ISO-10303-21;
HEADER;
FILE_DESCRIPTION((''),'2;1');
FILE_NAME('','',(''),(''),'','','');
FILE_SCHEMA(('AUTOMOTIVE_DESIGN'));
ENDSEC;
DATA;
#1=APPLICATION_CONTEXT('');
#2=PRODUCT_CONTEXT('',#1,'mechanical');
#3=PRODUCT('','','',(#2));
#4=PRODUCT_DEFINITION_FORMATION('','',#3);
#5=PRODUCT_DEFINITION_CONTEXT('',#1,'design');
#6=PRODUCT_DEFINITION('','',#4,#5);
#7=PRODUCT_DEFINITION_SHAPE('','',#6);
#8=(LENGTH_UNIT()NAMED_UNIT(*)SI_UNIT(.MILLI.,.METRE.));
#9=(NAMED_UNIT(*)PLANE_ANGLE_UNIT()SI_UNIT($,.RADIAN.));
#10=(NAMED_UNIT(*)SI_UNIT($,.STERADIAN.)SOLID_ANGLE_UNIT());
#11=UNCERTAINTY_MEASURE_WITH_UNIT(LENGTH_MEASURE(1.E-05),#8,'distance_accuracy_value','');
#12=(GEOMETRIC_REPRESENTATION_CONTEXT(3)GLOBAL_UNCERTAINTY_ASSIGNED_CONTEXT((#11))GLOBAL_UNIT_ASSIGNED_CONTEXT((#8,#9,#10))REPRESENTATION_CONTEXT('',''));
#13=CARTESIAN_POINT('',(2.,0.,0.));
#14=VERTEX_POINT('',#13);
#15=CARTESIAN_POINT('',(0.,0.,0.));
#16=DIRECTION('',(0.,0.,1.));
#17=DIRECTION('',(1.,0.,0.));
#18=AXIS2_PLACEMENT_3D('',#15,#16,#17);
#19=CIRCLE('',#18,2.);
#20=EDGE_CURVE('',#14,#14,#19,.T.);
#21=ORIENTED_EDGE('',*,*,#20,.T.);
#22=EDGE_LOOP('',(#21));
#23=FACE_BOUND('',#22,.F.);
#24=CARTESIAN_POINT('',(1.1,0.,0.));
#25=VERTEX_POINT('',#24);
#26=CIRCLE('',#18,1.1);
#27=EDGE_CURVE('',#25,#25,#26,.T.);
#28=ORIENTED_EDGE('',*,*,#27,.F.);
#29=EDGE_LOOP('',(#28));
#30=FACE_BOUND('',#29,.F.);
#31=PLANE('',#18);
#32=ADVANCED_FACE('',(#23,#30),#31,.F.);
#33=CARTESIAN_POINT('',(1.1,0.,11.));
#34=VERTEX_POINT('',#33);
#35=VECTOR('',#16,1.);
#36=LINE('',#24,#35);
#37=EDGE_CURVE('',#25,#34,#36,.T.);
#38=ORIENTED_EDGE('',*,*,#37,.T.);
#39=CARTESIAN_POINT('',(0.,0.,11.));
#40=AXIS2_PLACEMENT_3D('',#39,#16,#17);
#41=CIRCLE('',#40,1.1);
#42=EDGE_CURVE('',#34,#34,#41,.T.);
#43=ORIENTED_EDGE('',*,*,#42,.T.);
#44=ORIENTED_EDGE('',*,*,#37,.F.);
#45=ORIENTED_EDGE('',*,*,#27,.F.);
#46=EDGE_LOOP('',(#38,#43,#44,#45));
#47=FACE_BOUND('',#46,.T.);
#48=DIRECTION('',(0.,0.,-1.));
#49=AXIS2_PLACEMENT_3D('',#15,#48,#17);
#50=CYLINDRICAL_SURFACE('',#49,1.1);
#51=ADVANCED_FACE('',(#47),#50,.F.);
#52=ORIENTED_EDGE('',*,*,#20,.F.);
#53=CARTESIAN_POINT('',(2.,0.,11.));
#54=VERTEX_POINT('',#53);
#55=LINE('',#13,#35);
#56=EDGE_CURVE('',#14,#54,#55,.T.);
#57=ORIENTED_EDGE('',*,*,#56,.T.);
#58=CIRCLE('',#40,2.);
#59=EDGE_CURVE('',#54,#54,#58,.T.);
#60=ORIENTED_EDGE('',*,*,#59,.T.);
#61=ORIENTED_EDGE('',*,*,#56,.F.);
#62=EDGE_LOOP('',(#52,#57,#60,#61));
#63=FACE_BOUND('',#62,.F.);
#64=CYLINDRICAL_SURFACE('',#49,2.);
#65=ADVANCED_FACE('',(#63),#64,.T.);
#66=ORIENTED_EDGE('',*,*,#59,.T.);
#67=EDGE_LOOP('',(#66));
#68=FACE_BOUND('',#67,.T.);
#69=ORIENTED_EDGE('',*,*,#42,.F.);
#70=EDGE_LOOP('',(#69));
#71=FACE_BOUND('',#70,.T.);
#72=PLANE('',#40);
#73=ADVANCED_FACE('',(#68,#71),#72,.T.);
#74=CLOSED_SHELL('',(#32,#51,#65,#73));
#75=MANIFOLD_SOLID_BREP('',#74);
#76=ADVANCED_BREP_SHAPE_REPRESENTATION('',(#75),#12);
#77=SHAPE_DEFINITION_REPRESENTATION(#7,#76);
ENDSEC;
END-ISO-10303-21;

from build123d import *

# Parameters (mm, degrees)
SKETCH_1_R      = 2
SKETCH_1_R_2    = 1.1
EXTRUDE_1_DEPTH = 11


with BuildPart() as part:
    # 草图1 → 凸台-拉伸1 (new body)
    with BuildSketch(Plane.XY):
        Circle(SKETCH_1_R)
        Circle(SKETCH_1_R_2, mode=Mode.SUBTRACT)
    extrude(amount=EXTRUDE_1_DEPTH)


solid = part.part
